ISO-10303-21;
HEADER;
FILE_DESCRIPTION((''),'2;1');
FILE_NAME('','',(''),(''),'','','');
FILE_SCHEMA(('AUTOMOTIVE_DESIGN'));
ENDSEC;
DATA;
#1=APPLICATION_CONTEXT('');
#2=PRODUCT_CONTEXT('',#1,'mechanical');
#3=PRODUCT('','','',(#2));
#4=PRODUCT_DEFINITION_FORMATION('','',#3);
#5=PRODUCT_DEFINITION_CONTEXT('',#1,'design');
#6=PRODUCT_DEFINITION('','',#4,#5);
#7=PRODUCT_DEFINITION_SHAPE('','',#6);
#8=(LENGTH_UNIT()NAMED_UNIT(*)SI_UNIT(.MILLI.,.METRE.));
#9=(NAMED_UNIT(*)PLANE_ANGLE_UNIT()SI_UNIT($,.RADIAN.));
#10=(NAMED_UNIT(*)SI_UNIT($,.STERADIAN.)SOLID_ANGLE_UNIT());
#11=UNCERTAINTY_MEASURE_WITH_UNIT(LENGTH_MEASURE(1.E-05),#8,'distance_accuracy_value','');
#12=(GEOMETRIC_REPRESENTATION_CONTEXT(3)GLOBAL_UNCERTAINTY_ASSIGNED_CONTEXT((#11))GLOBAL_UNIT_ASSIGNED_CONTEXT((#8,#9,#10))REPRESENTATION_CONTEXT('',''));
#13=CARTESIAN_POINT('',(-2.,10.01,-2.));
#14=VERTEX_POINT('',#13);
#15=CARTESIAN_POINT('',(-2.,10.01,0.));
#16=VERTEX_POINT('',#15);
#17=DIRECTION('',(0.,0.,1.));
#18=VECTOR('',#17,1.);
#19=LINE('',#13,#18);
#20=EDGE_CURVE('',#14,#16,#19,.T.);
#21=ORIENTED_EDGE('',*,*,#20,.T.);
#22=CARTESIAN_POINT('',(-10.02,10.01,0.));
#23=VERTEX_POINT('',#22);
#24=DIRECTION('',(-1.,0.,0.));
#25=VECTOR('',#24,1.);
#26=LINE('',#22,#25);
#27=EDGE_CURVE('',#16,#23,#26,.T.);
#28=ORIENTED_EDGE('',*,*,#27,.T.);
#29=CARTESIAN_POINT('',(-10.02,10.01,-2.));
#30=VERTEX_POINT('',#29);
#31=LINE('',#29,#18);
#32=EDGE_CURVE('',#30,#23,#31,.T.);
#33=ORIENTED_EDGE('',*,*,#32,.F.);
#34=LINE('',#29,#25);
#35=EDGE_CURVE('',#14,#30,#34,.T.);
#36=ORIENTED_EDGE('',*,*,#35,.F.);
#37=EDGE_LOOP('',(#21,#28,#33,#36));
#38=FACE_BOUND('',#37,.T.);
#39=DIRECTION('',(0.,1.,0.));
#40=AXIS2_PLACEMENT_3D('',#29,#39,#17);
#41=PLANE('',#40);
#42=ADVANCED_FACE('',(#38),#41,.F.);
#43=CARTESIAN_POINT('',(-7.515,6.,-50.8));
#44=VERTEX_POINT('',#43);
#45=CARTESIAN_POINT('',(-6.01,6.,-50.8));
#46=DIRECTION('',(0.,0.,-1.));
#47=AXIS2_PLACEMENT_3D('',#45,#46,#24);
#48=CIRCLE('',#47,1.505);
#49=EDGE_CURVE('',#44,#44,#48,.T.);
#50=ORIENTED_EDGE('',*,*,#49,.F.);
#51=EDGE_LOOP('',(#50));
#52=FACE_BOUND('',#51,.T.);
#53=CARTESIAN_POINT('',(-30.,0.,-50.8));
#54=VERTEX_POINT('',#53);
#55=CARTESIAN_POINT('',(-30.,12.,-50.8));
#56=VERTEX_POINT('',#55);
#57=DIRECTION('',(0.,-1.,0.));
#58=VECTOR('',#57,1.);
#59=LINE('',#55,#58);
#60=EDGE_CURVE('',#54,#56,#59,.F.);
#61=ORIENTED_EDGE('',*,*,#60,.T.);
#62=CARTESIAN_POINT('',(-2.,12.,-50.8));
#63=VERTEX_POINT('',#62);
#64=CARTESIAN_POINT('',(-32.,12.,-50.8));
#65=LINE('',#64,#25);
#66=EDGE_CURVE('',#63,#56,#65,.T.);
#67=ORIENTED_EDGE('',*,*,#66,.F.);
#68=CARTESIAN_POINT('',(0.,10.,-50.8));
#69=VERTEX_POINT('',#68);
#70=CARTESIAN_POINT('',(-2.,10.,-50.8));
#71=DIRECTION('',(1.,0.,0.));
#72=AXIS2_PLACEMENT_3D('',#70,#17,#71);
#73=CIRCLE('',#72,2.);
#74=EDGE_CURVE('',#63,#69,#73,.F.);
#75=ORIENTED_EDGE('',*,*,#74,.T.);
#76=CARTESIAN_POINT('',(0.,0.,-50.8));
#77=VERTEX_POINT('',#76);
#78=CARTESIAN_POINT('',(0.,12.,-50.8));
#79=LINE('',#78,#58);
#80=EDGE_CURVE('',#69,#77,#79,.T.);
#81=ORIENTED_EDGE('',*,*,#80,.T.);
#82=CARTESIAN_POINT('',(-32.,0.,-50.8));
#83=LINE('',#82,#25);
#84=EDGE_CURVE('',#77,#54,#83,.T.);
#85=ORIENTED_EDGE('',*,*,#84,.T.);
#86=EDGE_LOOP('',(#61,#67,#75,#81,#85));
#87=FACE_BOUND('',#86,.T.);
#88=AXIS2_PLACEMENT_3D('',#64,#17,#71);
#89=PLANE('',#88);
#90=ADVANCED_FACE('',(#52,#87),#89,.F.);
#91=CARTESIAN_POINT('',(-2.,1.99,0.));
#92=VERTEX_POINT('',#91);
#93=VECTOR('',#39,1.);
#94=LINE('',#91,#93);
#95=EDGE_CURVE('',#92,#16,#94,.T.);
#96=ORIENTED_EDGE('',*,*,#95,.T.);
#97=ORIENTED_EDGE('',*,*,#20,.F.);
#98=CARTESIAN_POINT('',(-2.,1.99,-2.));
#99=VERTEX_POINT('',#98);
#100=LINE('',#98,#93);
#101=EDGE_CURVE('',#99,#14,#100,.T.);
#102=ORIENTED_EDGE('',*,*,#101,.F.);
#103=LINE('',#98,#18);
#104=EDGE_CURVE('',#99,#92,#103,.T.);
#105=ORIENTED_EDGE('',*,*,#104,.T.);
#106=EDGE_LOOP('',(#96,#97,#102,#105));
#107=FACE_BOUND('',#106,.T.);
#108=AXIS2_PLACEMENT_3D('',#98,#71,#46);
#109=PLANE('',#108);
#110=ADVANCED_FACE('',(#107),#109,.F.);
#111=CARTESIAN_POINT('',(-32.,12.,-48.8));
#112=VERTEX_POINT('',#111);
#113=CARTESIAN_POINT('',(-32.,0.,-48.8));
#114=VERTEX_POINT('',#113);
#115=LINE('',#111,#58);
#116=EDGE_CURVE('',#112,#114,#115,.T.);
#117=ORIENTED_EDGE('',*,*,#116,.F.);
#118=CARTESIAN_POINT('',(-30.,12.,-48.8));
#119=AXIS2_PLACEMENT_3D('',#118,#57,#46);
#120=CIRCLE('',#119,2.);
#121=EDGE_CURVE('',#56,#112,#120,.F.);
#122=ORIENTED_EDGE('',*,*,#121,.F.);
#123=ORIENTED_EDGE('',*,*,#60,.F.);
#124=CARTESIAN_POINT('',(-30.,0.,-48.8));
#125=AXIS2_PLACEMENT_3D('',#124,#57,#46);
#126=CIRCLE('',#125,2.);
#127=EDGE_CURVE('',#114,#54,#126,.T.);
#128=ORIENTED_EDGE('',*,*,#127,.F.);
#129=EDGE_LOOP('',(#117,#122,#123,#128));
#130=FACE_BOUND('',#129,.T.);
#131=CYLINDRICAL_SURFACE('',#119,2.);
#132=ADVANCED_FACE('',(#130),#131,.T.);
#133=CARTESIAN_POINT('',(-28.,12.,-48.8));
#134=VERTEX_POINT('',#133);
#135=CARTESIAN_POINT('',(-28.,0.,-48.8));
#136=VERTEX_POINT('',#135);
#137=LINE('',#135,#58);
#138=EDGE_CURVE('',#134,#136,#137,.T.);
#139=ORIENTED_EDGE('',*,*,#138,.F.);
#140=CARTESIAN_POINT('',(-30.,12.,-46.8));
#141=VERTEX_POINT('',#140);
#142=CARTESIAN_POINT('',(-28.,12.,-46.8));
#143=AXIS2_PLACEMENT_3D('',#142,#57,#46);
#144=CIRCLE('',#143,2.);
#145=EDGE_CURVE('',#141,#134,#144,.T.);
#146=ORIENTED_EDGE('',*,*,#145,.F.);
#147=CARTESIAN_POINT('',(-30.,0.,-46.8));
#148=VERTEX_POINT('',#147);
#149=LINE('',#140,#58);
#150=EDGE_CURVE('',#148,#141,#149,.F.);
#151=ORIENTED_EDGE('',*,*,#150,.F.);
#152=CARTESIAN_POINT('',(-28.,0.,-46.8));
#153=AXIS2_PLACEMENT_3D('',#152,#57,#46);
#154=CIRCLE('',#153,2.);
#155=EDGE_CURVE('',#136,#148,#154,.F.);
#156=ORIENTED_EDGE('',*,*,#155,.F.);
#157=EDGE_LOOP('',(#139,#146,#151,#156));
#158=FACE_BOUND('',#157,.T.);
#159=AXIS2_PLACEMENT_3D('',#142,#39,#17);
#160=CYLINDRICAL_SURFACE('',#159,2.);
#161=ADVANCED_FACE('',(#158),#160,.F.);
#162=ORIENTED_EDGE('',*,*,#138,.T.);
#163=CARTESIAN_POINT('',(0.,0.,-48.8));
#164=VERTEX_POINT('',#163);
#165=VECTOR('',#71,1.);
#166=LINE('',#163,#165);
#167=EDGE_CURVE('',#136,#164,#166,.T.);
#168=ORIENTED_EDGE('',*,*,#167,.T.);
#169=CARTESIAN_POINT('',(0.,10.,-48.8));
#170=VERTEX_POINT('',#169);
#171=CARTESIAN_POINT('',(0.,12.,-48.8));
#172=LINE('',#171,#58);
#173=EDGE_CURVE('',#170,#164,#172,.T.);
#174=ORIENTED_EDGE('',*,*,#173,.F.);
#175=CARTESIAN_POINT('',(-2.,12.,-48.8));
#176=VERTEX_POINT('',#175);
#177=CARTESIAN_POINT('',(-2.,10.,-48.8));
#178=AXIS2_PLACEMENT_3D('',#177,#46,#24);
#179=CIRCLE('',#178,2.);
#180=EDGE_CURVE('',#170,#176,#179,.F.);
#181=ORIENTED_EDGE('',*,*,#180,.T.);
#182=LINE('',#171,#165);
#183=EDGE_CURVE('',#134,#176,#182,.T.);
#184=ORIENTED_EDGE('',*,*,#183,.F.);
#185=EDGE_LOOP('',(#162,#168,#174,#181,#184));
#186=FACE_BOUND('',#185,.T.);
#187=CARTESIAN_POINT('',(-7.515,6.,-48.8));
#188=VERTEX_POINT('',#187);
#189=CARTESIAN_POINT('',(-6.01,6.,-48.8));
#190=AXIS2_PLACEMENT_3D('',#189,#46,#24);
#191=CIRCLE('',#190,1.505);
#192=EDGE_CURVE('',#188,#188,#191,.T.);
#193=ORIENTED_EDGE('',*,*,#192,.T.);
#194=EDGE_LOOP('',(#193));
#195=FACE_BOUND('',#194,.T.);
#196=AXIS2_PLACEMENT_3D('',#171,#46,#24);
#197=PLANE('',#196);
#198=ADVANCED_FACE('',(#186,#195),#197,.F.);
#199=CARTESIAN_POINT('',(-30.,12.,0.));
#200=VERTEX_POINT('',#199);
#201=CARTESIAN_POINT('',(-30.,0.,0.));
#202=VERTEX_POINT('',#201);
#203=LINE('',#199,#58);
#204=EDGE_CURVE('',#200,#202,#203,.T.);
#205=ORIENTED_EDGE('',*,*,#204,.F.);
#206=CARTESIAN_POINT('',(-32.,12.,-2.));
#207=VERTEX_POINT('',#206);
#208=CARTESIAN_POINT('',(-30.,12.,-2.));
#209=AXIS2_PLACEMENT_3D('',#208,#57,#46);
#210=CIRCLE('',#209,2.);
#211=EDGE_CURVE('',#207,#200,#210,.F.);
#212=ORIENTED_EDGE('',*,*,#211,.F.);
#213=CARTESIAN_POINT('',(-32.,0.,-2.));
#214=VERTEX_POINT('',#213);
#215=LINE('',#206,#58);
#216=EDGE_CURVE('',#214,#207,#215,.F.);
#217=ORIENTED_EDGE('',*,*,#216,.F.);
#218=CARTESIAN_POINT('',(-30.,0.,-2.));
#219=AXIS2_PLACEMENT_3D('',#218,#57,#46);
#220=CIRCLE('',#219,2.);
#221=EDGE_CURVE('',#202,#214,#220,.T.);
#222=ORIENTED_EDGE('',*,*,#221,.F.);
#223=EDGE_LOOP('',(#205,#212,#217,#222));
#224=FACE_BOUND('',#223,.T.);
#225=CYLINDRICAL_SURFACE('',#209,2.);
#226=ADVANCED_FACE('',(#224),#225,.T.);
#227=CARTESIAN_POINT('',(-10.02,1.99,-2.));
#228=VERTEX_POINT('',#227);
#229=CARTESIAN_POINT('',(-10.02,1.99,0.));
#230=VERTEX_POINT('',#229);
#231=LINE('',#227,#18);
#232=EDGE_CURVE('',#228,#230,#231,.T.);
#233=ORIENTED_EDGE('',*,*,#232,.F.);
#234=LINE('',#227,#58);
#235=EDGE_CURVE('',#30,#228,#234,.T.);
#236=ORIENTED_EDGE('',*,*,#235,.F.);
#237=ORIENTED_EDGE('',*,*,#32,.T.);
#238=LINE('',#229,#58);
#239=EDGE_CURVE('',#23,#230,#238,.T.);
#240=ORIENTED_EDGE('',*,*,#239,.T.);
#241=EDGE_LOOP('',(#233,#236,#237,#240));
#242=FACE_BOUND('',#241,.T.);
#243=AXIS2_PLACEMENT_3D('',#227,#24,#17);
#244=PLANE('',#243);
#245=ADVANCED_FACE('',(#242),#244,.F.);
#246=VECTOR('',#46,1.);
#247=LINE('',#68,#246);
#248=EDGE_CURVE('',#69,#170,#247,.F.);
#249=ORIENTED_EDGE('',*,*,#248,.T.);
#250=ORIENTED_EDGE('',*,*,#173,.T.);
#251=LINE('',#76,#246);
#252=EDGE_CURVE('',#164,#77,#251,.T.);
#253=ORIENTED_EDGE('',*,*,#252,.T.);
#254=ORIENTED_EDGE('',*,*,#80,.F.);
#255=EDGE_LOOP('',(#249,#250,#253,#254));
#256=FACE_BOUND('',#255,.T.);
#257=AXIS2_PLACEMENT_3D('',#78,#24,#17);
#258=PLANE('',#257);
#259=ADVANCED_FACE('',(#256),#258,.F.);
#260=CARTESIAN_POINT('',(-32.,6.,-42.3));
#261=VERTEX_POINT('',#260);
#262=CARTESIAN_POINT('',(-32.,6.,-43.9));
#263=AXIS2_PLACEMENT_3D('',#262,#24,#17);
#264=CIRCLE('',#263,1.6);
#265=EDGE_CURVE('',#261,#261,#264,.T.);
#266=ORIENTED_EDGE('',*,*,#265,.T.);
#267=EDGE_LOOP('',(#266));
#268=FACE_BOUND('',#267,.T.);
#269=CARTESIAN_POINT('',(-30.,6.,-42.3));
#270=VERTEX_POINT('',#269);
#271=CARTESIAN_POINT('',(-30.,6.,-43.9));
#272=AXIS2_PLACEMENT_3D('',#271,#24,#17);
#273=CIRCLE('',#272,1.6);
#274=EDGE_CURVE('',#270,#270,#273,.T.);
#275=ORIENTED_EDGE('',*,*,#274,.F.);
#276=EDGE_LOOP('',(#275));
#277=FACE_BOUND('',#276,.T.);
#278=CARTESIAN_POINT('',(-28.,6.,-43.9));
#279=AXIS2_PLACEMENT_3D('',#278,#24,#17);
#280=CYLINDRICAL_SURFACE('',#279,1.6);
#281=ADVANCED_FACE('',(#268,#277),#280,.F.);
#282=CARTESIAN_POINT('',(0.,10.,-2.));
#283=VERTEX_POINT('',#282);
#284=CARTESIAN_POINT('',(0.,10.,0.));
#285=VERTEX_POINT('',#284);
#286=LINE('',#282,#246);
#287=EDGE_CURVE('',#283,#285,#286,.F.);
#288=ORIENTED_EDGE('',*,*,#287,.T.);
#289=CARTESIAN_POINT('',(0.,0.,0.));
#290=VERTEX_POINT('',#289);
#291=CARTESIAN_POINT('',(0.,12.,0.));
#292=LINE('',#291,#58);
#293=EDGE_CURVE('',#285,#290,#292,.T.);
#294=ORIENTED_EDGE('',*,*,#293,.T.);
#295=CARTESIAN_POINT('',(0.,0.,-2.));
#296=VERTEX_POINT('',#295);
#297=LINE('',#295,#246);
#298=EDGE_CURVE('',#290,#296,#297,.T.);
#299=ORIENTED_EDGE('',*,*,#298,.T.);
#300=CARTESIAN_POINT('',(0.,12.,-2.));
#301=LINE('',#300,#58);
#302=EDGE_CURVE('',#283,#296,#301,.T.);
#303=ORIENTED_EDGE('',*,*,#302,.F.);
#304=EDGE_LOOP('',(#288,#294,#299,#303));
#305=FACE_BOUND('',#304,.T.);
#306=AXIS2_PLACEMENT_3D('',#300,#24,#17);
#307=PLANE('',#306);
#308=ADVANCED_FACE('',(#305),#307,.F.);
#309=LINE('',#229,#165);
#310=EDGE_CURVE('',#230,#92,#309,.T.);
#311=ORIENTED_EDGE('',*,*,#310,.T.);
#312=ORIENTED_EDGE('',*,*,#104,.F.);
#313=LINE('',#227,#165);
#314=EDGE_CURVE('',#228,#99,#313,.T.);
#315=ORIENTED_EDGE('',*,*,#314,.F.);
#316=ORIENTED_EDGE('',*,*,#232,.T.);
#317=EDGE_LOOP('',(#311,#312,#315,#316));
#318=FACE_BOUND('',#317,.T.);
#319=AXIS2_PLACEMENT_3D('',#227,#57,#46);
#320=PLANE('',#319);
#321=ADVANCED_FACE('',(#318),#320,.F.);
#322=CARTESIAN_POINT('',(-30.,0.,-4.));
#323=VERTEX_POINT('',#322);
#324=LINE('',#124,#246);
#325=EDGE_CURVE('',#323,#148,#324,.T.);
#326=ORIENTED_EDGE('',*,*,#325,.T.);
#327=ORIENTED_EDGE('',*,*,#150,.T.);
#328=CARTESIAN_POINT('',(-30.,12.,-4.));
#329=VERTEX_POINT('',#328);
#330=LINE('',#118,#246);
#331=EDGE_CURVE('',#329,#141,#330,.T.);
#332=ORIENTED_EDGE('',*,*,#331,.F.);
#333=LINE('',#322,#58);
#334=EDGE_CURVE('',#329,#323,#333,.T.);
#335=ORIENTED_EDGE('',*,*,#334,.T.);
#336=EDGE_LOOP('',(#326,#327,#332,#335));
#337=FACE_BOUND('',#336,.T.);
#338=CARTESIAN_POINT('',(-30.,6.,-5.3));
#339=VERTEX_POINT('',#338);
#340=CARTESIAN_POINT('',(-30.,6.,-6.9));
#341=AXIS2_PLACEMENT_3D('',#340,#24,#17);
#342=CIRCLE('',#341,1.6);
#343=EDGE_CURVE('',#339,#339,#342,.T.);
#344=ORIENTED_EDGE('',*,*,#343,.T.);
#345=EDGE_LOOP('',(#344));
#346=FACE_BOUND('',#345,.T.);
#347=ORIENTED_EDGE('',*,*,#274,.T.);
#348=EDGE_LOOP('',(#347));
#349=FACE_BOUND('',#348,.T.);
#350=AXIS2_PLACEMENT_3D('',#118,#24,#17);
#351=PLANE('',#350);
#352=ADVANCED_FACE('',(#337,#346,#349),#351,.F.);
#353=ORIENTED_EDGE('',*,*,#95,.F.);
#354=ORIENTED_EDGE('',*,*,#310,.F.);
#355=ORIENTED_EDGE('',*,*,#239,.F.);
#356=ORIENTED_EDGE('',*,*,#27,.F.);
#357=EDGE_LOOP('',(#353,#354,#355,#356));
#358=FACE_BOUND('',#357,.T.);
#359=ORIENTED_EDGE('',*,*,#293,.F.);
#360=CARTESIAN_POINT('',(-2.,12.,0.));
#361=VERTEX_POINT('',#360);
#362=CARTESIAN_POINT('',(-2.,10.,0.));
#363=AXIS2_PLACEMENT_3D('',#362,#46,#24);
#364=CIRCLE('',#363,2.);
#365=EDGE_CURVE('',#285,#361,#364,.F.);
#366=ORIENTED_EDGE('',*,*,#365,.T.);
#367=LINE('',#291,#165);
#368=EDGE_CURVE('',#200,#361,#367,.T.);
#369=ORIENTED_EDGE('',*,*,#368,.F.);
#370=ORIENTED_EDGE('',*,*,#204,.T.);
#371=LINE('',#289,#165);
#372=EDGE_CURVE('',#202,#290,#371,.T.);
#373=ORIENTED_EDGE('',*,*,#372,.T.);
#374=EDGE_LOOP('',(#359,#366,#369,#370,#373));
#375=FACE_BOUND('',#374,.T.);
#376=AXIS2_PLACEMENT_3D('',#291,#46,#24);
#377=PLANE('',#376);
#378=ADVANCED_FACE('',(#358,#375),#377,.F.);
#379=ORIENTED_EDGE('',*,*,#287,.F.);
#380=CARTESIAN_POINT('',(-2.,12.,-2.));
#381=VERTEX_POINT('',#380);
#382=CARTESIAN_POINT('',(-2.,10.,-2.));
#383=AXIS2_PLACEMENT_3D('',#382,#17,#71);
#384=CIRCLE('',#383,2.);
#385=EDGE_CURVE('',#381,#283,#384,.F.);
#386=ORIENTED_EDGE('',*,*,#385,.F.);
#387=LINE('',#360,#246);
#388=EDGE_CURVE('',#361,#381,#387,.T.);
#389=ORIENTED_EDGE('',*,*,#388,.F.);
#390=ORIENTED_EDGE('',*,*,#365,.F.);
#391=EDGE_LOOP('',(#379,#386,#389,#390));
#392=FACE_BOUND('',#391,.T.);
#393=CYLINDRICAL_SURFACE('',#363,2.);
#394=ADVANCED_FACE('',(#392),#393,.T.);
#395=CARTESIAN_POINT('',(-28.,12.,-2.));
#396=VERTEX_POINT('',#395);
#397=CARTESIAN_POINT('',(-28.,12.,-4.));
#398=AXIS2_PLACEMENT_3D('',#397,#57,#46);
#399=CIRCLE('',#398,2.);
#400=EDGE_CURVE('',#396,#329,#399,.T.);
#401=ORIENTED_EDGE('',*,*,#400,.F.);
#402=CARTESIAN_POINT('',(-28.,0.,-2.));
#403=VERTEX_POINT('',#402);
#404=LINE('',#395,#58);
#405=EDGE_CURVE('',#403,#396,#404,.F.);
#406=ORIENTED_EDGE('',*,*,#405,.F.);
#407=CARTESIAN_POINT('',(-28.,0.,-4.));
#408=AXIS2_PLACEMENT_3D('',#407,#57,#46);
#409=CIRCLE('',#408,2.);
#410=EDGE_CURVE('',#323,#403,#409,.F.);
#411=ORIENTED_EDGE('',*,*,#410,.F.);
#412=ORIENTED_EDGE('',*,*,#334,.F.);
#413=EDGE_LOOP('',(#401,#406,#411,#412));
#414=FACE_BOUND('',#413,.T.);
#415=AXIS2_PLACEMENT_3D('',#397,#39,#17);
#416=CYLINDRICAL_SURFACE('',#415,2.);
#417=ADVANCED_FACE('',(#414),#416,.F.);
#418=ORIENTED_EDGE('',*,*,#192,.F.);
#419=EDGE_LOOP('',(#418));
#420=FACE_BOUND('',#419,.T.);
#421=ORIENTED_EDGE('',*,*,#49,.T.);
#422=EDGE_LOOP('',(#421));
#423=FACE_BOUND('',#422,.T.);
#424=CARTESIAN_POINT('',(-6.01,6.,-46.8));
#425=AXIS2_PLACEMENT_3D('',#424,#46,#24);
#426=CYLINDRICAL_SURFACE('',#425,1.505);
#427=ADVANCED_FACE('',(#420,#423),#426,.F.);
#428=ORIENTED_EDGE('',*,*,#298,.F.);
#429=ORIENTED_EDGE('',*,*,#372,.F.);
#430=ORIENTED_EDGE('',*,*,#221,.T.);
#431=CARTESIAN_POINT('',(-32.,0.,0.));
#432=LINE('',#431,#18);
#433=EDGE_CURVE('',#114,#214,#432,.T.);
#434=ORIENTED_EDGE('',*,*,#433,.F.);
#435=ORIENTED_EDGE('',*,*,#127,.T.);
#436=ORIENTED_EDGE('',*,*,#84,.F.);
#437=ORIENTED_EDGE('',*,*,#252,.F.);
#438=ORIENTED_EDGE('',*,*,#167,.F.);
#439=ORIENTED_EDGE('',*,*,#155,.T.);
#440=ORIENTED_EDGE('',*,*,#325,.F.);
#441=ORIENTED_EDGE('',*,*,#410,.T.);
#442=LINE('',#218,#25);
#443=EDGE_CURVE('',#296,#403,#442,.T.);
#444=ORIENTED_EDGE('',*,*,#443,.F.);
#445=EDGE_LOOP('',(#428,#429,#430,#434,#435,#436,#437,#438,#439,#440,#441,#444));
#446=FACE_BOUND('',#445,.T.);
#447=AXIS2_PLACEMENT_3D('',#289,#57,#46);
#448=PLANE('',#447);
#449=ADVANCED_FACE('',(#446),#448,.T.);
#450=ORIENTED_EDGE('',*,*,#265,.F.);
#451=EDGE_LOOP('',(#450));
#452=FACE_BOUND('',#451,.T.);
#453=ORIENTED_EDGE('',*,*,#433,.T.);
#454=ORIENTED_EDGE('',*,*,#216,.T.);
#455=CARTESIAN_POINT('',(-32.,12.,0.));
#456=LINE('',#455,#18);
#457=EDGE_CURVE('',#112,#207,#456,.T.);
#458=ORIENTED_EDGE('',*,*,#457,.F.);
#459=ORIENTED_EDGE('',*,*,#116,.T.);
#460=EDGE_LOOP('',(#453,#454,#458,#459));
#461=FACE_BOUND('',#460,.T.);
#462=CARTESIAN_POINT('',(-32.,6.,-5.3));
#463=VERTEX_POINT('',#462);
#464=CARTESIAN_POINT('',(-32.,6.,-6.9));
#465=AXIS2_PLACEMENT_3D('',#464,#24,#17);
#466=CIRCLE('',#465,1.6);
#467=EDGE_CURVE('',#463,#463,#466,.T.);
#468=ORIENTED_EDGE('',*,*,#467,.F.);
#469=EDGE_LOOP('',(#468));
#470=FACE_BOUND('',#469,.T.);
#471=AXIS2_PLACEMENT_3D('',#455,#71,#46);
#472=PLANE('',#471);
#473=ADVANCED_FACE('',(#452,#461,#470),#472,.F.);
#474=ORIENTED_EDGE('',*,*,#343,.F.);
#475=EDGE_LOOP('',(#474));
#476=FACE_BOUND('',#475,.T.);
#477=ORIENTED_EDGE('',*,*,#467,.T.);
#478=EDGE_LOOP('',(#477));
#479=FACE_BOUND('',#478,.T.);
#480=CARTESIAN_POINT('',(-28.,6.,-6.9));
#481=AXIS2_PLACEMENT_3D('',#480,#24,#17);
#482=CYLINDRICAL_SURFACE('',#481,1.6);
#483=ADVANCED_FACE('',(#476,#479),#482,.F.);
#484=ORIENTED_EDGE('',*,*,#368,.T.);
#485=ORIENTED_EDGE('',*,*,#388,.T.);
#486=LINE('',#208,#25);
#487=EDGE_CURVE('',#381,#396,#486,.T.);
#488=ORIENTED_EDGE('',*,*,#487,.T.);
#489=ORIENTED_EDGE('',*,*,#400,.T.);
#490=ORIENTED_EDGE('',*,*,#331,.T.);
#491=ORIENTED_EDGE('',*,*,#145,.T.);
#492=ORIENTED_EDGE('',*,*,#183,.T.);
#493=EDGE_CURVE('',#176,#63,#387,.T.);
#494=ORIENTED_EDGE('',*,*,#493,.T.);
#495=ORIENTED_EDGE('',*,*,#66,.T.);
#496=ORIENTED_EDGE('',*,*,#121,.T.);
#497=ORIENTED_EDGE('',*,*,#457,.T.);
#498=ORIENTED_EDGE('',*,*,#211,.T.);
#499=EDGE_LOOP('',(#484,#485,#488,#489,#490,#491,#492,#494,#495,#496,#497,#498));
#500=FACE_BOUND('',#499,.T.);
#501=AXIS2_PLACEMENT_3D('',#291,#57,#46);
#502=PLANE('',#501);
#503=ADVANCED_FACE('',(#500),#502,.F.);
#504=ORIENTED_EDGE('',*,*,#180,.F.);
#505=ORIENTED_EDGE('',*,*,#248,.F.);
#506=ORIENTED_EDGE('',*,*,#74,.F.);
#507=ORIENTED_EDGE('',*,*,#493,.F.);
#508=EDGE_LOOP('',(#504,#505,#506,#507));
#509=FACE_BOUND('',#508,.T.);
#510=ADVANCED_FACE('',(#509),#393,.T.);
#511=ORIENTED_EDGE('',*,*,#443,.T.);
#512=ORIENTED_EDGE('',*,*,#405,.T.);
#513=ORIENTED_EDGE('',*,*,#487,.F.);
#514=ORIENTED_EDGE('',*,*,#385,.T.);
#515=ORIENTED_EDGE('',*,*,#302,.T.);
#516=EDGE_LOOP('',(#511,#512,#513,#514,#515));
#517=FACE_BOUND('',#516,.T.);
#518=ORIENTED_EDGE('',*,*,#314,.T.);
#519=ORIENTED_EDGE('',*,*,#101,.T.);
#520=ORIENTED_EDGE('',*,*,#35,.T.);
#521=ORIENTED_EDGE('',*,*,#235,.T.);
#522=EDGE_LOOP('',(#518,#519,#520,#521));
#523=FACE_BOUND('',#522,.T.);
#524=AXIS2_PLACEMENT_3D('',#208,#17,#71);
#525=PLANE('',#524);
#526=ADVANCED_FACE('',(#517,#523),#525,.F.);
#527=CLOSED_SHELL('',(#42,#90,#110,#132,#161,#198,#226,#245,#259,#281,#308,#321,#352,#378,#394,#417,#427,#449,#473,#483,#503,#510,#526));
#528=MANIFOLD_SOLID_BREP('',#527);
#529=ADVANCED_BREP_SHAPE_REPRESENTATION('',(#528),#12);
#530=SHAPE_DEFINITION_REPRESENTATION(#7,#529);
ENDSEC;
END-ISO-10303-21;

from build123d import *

# Parameters (mm, degrees)
BOSS_EXTRUDE1_DEPTH = 12
SKETCH3_R           = 1.505
CUT_EXTRUDE2_DEPTH  = 4
SKETCH5_R           = 1.6
CUT_EXTRUDE3_DEPTH  = 4
SKETCH6_W           = 8.02
SKETCH6_H           = 8.02
CUT_EXTRUDE4_DEPTH  = 2
FILLET1_R           = 2
FILLET2_R           = 2
FILLET3_R           = 2
FILLET4_R           = 2
FILLET5_R           = 2
FILLET6_R           = 2


with BuildPart() as part:
    # Sketch1 → Boss-Extrude1 (new body)
    with BuildSketch(Plane(origin=(0, 0, 0), x_dir=(1, 0, 0), z_dir=(0, 1, 0))):
        Polygon((0, 0), (-32, 0), (-32, 50.8), (0, 50.8), (0, 48.8), (-30, 48.8), (-30, 2), (0, 2), align=None)
    extrude(amount=BOSS_EXTRUDE1_DEPTH)

    # Sketch3 → Cut-Extrude2 (cut)
    with BuildSketch(Plane(origin=(0, 0, -50.8), x_dir=(-1, 0, 0), z_dir=(0, 0, -1))):
        with Locations((6.01, 6)):
            Circle(SKETCH3_R)
    extrude(amount=-CUT_EXTRUDE2_DEPTH, mode=Mode.SUBTRACT)

    # Sketch5 → Cut-Extrude3 (cut)
    with BuildSketch(Plane.ZY.offset(32)):
        with Locations((-43.9, 6)):
            Circle(SKETCH5_R)
        with Locations((-6.9, 6)):
            Circle(SKETCH5_R)
    extrude(amount=-CUT_EXTRUDE3_DEPTH, mode=Mode.SUBTRACT)

    # Sketch6 → Cut-Extrude4 (cut)
    with BuildSketch(Plane.XY):
        with Locations((-6.01, 6)):
            Rectangle(SKETCH6_W, SKETCH6_H)
    extrude(amount=-CUT_EXTRUDE4_DEPTH, mode=Mode.SUBTRACT)

    # Fillet1
    fillet1_edges = [part.edges().sort_by_distance(p)[0] for p in [
        (0, 12, -1),
    ]]
    fillet(fillet1_edges, radius=FILLET1_R)

    # Fillet2
    fillet2_edges = [part.edges().sort_by_distance(p)[0] for p in [
        (0, 12, -49.8),
    ]]
    fillet(fillet2_edges, radius=FILLET2_R)

    # Fillet3
    fillet3_edges = [part.edges().sort_by_distance(p)[0] for p in [
        (-30, 6, -2),
    ]]
    fillet(fillet3_edges, radius=FILLET3_R)

    # Fillet4
    fillet4_edges = [part.edges().sort_by_distance(p)[0] for p in [
        (-32, 6, 0),
    ]]
    fillet(fillet4_edges, radius=FILLET4_R)

    # Fillet5
    fillet5_edges = [part.edges().sort_by_distance(p)[0] for p in [
        (-30, 6, -48.8),
    ]]
    fillet(fillet5_edges, radius=FILLET5_R)

    # Fillet6
    fillet6_edges = [part.edges().sort_by_distance(p)[0] for p in [
        (-32, 6, -50.8),
    ]]
    fillet(fillet6_edges, radius=FILLET6_R)


solid = part.part
